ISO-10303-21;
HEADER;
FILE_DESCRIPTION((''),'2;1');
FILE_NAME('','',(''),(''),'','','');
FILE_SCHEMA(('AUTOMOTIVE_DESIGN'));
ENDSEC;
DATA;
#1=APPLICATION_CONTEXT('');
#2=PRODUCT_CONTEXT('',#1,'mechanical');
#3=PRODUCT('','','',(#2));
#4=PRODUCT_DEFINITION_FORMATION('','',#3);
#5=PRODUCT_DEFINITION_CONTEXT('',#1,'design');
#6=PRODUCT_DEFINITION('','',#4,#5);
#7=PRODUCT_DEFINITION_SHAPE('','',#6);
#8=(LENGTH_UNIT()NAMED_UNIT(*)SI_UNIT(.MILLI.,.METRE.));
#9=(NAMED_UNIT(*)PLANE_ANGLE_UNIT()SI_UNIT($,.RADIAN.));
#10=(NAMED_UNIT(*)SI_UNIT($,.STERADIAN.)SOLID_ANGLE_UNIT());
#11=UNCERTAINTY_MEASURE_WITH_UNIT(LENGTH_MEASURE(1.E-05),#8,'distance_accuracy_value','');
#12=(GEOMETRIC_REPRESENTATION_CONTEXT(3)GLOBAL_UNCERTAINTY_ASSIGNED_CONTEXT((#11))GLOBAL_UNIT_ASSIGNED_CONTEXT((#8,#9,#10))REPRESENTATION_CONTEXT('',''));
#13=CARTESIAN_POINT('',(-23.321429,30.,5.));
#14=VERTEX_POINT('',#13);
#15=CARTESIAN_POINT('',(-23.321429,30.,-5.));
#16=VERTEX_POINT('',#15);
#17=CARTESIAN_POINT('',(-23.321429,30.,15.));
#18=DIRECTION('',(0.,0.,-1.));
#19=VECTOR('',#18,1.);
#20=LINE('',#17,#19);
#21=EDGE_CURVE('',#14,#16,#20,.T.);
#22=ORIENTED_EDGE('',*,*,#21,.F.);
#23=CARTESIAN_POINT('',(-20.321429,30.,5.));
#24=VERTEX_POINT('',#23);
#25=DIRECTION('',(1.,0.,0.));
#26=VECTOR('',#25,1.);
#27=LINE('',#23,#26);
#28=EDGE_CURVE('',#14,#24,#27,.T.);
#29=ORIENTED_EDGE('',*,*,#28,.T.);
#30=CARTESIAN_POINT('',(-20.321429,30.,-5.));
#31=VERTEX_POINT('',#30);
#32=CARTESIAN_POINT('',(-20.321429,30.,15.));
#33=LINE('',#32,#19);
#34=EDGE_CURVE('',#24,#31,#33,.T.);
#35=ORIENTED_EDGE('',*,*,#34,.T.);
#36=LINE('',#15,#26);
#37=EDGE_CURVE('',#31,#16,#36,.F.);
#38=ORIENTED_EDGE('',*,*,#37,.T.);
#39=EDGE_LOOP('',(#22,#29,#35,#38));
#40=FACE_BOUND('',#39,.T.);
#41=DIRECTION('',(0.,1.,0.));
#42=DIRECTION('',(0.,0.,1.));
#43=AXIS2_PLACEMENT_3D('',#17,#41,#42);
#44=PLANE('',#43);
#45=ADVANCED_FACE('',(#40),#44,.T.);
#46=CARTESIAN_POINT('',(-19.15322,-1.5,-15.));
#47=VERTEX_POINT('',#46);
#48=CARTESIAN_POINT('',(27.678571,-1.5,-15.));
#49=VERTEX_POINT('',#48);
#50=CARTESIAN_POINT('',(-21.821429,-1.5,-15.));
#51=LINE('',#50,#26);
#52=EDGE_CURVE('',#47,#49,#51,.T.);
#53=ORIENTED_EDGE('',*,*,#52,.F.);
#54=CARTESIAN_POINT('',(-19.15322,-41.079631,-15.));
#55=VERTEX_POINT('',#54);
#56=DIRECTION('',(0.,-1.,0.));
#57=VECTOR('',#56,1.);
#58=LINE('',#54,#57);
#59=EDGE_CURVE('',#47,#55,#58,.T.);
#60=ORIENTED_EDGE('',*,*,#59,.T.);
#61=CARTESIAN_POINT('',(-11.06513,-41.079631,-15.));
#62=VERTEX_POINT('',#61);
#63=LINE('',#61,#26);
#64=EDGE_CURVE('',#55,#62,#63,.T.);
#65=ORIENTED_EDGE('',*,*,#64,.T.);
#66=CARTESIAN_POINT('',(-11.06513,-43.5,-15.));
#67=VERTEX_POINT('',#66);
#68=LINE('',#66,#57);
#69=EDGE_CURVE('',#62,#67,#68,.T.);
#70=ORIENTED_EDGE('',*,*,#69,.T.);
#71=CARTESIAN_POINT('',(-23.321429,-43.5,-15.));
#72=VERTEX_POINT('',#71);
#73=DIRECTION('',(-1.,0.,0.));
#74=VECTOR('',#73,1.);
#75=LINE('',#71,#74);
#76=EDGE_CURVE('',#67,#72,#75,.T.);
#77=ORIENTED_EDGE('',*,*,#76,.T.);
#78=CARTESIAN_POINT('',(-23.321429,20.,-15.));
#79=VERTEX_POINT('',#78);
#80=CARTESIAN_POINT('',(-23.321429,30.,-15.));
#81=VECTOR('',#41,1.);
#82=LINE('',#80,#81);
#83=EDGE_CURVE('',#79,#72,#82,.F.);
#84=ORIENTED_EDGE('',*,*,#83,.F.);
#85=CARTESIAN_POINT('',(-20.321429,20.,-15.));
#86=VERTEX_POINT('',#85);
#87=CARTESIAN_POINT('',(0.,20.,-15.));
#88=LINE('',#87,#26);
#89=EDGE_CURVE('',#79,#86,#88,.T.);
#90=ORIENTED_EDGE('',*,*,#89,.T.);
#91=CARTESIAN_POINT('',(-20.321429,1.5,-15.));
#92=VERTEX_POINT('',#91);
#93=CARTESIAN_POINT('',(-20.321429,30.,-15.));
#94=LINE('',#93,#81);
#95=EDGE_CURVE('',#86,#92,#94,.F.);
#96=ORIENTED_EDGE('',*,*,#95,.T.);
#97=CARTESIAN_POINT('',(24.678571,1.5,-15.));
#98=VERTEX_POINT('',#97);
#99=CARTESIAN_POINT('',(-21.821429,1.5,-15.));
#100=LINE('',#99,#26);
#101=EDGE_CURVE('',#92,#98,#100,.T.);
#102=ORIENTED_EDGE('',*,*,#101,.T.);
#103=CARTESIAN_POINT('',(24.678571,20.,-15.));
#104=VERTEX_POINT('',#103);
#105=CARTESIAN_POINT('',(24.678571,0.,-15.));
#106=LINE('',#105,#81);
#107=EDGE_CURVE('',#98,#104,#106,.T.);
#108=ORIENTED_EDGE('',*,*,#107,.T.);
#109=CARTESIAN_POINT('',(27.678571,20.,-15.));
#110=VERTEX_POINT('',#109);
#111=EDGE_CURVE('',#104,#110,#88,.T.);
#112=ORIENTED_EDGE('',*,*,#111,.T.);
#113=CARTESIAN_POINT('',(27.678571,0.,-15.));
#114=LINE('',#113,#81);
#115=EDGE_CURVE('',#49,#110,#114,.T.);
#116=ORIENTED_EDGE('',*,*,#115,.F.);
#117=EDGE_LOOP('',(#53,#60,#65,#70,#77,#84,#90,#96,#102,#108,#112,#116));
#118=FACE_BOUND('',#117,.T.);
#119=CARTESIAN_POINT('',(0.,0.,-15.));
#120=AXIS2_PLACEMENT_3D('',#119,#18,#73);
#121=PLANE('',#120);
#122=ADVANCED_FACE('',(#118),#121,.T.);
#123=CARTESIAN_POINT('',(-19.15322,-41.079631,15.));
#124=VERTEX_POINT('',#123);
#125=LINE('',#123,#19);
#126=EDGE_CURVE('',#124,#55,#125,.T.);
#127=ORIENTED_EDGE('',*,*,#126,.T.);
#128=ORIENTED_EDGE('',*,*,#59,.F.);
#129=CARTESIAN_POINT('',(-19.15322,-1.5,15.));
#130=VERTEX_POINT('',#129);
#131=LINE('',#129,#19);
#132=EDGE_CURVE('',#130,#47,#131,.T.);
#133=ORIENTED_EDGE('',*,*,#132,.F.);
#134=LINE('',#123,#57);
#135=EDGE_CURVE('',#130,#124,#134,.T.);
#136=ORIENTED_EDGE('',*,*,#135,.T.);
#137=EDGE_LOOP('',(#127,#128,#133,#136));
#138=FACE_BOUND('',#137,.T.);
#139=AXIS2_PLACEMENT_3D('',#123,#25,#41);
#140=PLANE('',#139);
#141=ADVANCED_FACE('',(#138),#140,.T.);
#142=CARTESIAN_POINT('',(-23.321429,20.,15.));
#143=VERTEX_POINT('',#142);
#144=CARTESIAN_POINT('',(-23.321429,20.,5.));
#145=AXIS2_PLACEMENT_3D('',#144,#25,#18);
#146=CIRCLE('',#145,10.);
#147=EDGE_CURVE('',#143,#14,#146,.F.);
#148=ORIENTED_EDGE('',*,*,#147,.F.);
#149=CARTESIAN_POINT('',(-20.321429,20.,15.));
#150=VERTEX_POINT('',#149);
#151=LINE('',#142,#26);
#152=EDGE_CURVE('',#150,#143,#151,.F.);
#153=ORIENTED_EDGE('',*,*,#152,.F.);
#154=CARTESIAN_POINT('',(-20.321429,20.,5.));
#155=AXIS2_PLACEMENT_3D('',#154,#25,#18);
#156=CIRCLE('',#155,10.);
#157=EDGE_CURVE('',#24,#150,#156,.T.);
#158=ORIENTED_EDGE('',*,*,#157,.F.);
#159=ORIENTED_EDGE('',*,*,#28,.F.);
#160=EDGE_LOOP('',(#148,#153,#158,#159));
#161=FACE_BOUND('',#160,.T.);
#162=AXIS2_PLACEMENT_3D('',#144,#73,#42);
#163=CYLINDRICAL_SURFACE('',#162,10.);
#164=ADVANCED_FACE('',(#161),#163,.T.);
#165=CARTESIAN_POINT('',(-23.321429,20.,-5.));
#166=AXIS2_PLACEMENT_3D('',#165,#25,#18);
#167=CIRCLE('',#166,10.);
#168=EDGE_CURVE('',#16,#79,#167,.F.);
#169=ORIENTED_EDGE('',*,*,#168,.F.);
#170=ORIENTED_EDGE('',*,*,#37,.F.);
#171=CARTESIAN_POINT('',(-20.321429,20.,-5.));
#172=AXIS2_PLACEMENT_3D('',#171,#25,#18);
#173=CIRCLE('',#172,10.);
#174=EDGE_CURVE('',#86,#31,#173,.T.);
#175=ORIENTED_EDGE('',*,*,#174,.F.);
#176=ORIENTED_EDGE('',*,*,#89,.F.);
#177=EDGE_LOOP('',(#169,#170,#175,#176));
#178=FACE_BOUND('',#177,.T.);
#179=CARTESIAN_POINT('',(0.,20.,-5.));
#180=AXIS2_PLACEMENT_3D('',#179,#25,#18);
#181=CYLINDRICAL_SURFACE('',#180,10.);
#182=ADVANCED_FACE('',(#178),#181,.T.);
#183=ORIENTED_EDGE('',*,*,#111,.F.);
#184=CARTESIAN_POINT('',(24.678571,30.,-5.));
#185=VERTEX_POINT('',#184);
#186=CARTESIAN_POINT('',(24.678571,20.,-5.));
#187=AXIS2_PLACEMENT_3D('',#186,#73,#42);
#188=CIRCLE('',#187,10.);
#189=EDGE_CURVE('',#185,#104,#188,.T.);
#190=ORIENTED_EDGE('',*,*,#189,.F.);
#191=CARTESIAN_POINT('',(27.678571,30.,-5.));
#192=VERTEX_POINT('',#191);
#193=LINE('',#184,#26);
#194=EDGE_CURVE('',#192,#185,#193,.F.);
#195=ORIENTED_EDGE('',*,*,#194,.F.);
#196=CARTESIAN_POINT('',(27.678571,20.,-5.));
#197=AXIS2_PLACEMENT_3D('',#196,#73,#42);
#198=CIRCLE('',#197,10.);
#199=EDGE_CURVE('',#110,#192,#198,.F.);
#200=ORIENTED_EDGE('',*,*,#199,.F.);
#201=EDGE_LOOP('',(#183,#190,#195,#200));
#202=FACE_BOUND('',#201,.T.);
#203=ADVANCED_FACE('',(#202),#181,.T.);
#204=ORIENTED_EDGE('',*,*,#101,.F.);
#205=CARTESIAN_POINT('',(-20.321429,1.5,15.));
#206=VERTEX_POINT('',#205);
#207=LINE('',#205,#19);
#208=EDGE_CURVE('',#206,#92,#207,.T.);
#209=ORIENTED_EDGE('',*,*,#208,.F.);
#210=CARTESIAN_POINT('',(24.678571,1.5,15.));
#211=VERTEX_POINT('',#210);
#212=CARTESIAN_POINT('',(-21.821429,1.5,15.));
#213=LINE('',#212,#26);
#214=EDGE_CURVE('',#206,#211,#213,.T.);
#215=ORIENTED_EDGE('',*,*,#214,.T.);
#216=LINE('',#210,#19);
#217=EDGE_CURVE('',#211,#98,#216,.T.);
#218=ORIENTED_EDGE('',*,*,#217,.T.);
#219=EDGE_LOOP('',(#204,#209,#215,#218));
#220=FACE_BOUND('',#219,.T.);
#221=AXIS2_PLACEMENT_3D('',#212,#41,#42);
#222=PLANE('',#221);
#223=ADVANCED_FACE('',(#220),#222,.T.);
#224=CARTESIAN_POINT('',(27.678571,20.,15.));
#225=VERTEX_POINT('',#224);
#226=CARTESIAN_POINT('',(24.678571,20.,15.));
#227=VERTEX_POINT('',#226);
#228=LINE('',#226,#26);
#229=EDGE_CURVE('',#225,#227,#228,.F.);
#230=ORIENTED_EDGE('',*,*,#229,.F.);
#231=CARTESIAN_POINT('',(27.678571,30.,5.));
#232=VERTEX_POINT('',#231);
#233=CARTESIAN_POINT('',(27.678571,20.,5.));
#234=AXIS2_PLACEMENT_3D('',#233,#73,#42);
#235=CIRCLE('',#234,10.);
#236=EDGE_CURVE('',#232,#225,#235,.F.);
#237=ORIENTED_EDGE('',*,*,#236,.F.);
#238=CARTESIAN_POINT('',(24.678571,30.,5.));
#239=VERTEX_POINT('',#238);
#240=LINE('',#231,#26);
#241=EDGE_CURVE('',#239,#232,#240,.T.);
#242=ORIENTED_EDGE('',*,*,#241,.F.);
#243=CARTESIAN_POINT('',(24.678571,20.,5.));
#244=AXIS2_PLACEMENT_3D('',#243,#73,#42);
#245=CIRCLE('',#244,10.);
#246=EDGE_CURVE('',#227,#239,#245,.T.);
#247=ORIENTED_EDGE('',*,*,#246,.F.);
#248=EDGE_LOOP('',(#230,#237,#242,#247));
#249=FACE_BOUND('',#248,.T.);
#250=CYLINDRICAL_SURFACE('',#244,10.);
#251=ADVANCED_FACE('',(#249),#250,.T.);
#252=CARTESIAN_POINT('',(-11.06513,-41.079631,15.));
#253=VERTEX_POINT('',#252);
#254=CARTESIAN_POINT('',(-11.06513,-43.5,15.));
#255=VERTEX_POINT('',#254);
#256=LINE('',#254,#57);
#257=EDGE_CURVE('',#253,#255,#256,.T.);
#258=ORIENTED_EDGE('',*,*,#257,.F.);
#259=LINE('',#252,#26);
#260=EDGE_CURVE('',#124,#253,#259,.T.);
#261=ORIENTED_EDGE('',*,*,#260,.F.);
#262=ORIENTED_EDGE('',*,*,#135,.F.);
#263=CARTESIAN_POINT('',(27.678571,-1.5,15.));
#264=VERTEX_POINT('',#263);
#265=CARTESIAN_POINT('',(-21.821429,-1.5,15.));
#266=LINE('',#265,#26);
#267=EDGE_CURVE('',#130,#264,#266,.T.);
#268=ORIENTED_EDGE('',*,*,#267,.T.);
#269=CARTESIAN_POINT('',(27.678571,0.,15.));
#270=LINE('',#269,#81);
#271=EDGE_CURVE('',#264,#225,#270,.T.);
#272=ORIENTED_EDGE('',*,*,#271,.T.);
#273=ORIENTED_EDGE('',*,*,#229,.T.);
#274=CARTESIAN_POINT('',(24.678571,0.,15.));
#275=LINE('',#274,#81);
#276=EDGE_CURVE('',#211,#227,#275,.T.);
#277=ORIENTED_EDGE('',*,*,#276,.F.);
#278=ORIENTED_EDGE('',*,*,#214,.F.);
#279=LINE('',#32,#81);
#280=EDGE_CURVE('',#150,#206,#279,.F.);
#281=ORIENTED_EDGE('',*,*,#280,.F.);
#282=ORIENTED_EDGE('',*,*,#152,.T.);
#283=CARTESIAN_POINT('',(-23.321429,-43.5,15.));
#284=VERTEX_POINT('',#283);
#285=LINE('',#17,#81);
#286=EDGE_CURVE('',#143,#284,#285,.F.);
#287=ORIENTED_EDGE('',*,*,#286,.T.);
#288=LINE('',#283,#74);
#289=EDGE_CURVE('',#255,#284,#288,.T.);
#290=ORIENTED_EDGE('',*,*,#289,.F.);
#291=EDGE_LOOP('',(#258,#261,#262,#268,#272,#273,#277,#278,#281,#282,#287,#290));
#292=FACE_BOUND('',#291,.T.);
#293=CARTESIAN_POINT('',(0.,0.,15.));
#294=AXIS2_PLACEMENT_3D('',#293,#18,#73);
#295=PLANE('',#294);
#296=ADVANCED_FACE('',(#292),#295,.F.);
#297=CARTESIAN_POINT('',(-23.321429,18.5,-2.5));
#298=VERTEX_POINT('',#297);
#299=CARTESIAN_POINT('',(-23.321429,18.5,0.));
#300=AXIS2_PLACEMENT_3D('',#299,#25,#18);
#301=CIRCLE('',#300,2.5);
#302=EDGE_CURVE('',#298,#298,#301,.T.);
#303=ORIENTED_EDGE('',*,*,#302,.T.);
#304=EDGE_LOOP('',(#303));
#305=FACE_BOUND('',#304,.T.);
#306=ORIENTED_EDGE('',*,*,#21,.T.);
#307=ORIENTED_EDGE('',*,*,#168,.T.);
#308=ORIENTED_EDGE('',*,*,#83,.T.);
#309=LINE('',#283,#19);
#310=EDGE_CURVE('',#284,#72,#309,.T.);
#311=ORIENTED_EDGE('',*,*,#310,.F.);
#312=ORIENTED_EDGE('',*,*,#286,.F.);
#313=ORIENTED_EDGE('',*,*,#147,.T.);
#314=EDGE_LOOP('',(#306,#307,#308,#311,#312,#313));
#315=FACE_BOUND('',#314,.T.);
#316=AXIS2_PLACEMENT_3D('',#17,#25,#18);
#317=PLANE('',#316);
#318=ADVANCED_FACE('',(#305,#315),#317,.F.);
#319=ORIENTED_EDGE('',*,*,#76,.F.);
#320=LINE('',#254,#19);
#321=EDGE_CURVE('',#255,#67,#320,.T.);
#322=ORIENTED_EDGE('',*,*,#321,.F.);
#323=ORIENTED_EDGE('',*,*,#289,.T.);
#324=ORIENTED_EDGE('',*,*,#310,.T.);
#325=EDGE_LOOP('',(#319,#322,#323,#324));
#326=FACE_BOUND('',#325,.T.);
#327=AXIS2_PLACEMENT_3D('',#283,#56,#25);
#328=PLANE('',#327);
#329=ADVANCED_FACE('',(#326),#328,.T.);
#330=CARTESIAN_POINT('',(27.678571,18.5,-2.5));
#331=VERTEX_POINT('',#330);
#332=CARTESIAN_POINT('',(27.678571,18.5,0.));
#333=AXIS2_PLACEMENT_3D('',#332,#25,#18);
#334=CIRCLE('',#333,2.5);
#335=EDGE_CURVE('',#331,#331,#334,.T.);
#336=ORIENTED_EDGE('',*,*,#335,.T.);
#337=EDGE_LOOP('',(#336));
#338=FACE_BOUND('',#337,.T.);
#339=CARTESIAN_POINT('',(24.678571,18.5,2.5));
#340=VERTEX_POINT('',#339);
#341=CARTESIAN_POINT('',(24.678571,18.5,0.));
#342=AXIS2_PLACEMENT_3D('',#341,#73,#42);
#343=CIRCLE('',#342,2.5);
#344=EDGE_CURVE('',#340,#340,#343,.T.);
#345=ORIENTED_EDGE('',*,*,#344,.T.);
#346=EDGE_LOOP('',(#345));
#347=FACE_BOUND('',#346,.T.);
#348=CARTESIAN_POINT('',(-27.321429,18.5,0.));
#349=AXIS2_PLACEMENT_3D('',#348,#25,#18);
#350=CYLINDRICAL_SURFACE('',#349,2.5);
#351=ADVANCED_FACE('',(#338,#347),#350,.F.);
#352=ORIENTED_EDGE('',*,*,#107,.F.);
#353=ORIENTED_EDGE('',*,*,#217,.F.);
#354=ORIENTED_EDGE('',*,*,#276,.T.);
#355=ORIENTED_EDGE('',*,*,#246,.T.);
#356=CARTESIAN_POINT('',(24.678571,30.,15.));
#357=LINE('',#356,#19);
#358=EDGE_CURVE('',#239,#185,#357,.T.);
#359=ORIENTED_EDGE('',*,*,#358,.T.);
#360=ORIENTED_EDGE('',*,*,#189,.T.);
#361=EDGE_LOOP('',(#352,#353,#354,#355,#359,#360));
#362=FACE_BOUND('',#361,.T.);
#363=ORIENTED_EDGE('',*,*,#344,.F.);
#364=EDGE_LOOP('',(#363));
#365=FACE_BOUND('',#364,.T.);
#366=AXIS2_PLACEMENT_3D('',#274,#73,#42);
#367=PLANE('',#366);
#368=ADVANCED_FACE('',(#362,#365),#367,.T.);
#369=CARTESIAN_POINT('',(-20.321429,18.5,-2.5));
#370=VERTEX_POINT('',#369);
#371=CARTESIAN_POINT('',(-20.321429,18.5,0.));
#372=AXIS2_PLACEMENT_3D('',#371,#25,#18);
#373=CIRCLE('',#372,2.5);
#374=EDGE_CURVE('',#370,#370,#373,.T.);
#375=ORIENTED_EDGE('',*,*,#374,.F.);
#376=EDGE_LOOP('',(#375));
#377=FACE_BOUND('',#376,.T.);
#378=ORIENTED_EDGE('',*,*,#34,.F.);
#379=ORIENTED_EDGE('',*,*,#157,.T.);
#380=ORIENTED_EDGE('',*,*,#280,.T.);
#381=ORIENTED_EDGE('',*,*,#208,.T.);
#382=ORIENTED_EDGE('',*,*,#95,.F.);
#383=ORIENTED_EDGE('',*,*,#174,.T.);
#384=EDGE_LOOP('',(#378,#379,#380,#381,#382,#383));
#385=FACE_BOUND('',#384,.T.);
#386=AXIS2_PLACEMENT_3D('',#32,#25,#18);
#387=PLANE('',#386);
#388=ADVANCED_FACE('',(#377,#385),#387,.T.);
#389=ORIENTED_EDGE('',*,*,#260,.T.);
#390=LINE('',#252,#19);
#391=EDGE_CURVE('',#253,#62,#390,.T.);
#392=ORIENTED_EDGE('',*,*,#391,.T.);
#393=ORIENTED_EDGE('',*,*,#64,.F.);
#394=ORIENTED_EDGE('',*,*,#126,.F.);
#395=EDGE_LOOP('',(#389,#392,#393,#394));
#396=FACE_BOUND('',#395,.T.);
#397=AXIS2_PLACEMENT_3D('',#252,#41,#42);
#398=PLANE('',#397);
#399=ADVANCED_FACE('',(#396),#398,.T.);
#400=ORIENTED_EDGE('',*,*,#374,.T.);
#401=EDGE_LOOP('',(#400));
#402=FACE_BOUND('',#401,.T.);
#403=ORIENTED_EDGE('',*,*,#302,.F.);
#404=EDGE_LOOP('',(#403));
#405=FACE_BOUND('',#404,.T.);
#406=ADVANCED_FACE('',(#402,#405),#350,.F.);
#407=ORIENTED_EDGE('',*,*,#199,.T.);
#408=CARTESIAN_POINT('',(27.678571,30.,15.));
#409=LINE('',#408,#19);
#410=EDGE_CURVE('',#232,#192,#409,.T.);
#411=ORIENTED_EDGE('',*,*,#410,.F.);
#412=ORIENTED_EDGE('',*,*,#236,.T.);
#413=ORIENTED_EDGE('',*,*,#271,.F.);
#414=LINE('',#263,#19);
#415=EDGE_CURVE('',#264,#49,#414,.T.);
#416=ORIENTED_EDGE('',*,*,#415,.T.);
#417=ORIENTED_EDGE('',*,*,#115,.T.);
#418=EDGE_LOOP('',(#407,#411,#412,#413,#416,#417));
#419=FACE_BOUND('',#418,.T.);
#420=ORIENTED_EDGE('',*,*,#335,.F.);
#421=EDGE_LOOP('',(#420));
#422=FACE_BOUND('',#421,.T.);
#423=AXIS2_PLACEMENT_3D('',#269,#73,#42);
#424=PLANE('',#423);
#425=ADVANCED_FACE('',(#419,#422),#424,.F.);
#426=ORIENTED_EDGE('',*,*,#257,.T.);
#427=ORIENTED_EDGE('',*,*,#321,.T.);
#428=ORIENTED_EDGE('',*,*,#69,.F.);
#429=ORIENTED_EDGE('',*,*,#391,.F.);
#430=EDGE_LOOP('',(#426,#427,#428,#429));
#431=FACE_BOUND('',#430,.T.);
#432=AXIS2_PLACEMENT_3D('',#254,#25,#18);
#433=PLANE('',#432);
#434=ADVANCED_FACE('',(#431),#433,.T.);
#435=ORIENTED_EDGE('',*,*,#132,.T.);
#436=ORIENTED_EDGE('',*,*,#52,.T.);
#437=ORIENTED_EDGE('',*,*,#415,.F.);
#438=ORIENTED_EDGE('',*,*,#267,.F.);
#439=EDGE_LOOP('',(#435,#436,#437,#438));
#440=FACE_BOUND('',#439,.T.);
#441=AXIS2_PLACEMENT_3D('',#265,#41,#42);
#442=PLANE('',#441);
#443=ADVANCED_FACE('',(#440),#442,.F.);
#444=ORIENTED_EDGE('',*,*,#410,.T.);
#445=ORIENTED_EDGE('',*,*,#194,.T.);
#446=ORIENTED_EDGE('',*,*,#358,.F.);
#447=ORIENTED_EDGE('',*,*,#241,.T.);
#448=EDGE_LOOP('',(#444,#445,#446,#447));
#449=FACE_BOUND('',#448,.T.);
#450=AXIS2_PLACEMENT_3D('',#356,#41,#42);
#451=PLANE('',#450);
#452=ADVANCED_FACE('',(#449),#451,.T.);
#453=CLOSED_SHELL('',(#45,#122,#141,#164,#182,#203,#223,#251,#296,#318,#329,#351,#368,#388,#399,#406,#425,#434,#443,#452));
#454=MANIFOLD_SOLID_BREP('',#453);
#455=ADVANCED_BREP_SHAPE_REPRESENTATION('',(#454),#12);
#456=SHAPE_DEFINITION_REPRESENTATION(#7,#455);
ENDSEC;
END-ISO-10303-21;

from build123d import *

# Parameters (mm, degrees)
EXTRUDE_THIN1_DEPTH = 15
FILLET1_R           = 10
SKETCH2_R           = 2.5
CUT_EXTRUDE1_DEPTH  = 55
BOSS_EXTRUDE1_DEPTH = 30


with BuildPart() as part:
    # Sketch1 → Extrude-Thin1 (new, symmetric)
    with BuildSketch(Plane.XY):
        Polygon((-23.321428571, 30), (-23.321428571, -1.5), (27.678571429, -1.5), (27.678571429, 30), (24.678571429, 30), (24.678571429, 1.5), (-20.321428571, 1.5), (-20.321428571, 30), align=None)
    extrude(amount=EXTRUDE_THIN1_DEPTH, both=True)

    # Fillet1
    fillet1_edges = [part.edges().sort_by_distance(p)[0] for p in [
        (-21.821428571, 30, 15),
        (26.178571429, 30, 15),
        (-21.821428571, 30, -15),
        (26.178571429, 30, -15),
    ]]
    fillet(fillet1_edges, radius=FILLET1_R)

    # Sketch2 → Cut-Extrude1 (cut)
    with BuildSketch(Plane(origin=(27.678571429, 0, 0), x_dir=(0, 0, -1), z_dir=(1, 0, 0))):
        with Locations((0, 18.5)):
            Circle(SKETCH2_R)
    extrude(amount=-CUT_EXTRUDE1_DEPTH, mode=Mode.SUBTRACT)

    # Sketch4 → Boss-Extrude1 (add)
    with BuildSketch(Plane(origin=(0, 0, -15), x_dir=(-1, 0, 0), z_dir=(0, 0, -1))):
        Polygon((23.321428571, -1.5), (23.321428571, -43.5), (11.065130386, -43.5), (11.065130386, -41.079631184), (19.153220087, -41.079631184), (19.153220087, -1.5), align=None)
    extrude(amount=-BOSS_EXTRUDE1_DEPTH)


solid = part.part
